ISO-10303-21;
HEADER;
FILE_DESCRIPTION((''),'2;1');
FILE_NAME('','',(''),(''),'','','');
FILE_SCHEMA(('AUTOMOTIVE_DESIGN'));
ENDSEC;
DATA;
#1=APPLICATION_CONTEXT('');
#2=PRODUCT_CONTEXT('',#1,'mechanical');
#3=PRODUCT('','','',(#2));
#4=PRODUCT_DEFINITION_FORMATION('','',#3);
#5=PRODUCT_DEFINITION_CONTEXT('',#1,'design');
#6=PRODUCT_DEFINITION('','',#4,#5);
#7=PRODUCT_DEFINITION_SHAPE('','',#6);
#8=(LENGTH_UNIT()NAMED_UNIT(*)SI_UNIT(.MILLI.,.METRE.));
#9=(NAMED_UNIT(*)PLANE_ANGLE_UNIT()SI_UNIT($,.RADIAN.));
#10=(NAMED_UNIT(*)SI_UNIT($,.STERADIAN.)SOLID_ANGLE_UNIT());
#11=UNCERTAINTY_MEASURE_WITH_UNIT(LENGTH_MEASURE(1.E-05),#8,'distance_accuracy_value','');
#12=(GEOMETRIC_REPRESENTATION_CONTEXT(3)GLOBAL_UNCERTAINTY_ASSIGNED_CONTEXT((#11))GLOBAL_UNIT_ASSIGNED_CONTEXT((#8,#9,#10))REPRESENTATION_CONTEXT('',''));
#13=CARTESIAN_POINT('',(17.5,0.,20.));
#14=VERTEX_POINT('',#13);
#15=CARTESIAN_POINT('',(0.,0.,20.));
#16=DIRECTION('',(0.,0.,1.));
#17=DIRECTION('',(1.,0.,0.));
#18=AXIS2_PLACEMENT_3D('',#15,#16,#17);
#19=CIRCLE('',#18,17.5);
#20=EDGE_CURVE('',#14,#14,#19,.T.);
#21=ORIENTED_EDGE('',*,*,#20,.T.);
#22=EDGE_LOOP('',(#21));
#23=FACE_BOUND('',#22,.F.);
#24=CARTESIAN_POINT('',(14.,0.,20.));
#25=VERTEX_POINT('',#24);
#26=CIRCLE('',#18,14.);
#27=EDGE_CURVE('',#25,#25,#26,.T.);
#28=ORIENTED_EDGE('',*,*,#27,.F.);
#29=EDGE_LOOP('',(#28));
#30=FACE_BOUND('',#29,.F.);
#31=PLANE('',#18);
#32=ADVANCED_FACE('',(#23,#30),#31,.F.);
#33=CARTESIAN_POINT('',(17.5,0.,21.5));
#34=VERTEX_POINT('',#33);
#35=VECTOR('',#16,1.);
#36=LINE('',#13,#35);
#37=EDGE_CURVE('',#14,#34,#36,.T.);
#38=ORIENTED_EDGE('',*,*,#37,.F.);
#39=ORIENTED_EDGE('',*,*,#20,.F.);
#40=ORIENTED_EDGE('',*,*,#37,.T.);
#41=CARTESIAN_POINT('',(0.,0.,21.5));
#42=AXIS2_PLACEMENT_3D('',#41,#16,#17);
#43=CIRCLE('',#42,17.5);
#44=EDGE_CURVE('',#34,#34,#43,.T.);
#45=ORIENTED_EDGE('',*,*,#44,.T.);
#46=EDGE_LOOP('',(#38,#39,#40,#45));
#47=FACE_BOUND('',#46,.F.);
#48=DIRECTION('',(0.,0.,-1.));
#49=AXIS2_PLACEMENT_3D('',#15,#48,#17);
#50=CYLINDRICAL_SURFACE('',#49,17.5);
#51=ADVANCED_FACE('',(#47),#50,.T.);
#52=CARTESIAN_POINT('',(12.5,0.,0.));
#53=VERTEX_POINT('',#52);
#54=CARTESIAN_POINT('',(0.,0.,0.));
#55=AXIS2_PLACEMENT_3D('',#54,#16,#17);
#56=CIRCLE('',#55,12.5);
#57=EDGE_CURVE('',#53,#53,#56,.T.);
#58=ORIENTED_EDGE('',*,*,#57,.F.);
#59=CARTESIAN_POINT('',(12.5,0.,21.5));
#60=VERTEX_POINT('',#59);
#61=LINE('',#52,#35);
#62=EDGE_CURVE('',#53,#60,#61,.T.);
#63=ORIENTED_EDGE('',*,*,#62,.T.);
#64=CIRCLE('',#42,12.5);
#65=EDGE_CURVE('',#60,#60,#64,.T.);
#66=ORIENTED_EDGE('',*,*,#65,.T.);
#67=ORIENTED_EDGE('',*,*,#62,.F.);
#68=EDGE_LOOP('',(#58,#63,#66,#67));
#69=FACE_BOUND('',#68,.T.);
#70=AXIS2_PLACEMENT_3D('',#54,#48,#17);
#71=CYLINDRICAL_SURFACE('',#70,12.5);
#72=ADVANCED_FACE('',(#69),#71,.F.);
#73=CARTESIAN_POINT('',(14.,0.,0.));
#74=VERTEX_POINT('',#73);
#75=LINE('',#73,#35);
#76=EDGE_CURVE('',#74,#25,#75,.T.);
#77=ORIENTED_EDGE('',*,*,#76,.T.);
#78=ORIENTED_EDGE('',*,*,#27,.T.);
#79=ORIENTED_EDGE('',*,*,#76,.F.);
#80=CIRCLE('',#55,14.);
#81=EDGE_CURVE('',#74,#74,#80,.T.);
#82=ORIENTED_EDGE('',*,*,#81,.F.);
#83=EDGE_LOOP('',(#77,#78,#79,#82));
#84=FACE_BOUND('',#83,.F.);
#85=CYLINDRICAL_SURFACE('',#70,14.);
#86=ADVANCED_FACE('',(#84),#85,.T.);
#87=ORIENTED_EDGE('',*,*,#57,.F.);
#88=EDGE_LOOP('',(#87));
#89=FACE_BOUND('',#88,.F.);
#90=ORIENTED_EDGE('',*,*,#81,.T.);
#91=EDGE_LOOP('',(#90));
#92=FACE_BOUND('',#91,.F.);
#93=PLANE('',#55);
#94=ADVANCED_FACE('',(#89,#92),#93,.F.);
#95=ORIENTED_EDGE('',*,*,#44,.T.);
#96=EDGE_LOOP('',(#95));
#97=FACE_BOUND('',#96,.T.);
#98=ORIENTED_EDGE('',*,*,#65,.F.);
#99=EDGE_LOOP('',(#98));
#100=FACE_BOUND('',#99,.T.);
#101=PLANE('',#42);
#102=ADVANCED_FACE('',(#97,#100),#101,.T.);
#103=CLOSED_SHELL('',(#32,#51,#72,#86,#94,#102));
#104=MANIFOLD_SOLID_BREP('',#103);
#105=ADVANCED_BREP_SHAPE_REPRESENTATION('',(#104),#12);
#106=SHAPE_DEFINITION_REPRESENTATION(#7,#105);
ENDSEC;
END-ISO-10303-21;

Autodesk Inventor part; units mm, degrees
ref_plane "YZ Plane" through (0, 0, 0) normal (1, 0, 0) x (0, 1, 0)
ref_plane "XZ Plane" through (0, 0, 0) normal (0, 1, 0) x (-1, 0, 0)
ref_plane "XY Plane" through (0, 0, 0) normal (0, 0, 1) x (1, 0, 0)
sketch "Sketch1" plane through (0, 0, 0) normal (0, 0, 1) x (1, 0, 0)
  circle A0 centre (0, 0) radius 12.5
  circle A1 centre (0, 0) radius 14
  dimension "d0" = 25
  dimension "d1" = 28
extrude "Extrusion1" add sketch "Sketch1" along normal blind 20
sketch "Sketch2" plane through (0, 0, 20) normal (0, 0, 1) x (1, 0, 0)
  circle A0 centre (0, 0) radius 12.5 projected
  circle A1 centre (0, 0) radius 14 projected
  circle A2 centre (0, 0) radius 12.5
  circle A3 centre (0, 0) radius 17.5
  dimension "d4" = 35
extrude "Extrusion2" add sketch "Sketch2" along normal blind 1.5 contours A1 | A3
properties part number "H4FM_2528_21"
